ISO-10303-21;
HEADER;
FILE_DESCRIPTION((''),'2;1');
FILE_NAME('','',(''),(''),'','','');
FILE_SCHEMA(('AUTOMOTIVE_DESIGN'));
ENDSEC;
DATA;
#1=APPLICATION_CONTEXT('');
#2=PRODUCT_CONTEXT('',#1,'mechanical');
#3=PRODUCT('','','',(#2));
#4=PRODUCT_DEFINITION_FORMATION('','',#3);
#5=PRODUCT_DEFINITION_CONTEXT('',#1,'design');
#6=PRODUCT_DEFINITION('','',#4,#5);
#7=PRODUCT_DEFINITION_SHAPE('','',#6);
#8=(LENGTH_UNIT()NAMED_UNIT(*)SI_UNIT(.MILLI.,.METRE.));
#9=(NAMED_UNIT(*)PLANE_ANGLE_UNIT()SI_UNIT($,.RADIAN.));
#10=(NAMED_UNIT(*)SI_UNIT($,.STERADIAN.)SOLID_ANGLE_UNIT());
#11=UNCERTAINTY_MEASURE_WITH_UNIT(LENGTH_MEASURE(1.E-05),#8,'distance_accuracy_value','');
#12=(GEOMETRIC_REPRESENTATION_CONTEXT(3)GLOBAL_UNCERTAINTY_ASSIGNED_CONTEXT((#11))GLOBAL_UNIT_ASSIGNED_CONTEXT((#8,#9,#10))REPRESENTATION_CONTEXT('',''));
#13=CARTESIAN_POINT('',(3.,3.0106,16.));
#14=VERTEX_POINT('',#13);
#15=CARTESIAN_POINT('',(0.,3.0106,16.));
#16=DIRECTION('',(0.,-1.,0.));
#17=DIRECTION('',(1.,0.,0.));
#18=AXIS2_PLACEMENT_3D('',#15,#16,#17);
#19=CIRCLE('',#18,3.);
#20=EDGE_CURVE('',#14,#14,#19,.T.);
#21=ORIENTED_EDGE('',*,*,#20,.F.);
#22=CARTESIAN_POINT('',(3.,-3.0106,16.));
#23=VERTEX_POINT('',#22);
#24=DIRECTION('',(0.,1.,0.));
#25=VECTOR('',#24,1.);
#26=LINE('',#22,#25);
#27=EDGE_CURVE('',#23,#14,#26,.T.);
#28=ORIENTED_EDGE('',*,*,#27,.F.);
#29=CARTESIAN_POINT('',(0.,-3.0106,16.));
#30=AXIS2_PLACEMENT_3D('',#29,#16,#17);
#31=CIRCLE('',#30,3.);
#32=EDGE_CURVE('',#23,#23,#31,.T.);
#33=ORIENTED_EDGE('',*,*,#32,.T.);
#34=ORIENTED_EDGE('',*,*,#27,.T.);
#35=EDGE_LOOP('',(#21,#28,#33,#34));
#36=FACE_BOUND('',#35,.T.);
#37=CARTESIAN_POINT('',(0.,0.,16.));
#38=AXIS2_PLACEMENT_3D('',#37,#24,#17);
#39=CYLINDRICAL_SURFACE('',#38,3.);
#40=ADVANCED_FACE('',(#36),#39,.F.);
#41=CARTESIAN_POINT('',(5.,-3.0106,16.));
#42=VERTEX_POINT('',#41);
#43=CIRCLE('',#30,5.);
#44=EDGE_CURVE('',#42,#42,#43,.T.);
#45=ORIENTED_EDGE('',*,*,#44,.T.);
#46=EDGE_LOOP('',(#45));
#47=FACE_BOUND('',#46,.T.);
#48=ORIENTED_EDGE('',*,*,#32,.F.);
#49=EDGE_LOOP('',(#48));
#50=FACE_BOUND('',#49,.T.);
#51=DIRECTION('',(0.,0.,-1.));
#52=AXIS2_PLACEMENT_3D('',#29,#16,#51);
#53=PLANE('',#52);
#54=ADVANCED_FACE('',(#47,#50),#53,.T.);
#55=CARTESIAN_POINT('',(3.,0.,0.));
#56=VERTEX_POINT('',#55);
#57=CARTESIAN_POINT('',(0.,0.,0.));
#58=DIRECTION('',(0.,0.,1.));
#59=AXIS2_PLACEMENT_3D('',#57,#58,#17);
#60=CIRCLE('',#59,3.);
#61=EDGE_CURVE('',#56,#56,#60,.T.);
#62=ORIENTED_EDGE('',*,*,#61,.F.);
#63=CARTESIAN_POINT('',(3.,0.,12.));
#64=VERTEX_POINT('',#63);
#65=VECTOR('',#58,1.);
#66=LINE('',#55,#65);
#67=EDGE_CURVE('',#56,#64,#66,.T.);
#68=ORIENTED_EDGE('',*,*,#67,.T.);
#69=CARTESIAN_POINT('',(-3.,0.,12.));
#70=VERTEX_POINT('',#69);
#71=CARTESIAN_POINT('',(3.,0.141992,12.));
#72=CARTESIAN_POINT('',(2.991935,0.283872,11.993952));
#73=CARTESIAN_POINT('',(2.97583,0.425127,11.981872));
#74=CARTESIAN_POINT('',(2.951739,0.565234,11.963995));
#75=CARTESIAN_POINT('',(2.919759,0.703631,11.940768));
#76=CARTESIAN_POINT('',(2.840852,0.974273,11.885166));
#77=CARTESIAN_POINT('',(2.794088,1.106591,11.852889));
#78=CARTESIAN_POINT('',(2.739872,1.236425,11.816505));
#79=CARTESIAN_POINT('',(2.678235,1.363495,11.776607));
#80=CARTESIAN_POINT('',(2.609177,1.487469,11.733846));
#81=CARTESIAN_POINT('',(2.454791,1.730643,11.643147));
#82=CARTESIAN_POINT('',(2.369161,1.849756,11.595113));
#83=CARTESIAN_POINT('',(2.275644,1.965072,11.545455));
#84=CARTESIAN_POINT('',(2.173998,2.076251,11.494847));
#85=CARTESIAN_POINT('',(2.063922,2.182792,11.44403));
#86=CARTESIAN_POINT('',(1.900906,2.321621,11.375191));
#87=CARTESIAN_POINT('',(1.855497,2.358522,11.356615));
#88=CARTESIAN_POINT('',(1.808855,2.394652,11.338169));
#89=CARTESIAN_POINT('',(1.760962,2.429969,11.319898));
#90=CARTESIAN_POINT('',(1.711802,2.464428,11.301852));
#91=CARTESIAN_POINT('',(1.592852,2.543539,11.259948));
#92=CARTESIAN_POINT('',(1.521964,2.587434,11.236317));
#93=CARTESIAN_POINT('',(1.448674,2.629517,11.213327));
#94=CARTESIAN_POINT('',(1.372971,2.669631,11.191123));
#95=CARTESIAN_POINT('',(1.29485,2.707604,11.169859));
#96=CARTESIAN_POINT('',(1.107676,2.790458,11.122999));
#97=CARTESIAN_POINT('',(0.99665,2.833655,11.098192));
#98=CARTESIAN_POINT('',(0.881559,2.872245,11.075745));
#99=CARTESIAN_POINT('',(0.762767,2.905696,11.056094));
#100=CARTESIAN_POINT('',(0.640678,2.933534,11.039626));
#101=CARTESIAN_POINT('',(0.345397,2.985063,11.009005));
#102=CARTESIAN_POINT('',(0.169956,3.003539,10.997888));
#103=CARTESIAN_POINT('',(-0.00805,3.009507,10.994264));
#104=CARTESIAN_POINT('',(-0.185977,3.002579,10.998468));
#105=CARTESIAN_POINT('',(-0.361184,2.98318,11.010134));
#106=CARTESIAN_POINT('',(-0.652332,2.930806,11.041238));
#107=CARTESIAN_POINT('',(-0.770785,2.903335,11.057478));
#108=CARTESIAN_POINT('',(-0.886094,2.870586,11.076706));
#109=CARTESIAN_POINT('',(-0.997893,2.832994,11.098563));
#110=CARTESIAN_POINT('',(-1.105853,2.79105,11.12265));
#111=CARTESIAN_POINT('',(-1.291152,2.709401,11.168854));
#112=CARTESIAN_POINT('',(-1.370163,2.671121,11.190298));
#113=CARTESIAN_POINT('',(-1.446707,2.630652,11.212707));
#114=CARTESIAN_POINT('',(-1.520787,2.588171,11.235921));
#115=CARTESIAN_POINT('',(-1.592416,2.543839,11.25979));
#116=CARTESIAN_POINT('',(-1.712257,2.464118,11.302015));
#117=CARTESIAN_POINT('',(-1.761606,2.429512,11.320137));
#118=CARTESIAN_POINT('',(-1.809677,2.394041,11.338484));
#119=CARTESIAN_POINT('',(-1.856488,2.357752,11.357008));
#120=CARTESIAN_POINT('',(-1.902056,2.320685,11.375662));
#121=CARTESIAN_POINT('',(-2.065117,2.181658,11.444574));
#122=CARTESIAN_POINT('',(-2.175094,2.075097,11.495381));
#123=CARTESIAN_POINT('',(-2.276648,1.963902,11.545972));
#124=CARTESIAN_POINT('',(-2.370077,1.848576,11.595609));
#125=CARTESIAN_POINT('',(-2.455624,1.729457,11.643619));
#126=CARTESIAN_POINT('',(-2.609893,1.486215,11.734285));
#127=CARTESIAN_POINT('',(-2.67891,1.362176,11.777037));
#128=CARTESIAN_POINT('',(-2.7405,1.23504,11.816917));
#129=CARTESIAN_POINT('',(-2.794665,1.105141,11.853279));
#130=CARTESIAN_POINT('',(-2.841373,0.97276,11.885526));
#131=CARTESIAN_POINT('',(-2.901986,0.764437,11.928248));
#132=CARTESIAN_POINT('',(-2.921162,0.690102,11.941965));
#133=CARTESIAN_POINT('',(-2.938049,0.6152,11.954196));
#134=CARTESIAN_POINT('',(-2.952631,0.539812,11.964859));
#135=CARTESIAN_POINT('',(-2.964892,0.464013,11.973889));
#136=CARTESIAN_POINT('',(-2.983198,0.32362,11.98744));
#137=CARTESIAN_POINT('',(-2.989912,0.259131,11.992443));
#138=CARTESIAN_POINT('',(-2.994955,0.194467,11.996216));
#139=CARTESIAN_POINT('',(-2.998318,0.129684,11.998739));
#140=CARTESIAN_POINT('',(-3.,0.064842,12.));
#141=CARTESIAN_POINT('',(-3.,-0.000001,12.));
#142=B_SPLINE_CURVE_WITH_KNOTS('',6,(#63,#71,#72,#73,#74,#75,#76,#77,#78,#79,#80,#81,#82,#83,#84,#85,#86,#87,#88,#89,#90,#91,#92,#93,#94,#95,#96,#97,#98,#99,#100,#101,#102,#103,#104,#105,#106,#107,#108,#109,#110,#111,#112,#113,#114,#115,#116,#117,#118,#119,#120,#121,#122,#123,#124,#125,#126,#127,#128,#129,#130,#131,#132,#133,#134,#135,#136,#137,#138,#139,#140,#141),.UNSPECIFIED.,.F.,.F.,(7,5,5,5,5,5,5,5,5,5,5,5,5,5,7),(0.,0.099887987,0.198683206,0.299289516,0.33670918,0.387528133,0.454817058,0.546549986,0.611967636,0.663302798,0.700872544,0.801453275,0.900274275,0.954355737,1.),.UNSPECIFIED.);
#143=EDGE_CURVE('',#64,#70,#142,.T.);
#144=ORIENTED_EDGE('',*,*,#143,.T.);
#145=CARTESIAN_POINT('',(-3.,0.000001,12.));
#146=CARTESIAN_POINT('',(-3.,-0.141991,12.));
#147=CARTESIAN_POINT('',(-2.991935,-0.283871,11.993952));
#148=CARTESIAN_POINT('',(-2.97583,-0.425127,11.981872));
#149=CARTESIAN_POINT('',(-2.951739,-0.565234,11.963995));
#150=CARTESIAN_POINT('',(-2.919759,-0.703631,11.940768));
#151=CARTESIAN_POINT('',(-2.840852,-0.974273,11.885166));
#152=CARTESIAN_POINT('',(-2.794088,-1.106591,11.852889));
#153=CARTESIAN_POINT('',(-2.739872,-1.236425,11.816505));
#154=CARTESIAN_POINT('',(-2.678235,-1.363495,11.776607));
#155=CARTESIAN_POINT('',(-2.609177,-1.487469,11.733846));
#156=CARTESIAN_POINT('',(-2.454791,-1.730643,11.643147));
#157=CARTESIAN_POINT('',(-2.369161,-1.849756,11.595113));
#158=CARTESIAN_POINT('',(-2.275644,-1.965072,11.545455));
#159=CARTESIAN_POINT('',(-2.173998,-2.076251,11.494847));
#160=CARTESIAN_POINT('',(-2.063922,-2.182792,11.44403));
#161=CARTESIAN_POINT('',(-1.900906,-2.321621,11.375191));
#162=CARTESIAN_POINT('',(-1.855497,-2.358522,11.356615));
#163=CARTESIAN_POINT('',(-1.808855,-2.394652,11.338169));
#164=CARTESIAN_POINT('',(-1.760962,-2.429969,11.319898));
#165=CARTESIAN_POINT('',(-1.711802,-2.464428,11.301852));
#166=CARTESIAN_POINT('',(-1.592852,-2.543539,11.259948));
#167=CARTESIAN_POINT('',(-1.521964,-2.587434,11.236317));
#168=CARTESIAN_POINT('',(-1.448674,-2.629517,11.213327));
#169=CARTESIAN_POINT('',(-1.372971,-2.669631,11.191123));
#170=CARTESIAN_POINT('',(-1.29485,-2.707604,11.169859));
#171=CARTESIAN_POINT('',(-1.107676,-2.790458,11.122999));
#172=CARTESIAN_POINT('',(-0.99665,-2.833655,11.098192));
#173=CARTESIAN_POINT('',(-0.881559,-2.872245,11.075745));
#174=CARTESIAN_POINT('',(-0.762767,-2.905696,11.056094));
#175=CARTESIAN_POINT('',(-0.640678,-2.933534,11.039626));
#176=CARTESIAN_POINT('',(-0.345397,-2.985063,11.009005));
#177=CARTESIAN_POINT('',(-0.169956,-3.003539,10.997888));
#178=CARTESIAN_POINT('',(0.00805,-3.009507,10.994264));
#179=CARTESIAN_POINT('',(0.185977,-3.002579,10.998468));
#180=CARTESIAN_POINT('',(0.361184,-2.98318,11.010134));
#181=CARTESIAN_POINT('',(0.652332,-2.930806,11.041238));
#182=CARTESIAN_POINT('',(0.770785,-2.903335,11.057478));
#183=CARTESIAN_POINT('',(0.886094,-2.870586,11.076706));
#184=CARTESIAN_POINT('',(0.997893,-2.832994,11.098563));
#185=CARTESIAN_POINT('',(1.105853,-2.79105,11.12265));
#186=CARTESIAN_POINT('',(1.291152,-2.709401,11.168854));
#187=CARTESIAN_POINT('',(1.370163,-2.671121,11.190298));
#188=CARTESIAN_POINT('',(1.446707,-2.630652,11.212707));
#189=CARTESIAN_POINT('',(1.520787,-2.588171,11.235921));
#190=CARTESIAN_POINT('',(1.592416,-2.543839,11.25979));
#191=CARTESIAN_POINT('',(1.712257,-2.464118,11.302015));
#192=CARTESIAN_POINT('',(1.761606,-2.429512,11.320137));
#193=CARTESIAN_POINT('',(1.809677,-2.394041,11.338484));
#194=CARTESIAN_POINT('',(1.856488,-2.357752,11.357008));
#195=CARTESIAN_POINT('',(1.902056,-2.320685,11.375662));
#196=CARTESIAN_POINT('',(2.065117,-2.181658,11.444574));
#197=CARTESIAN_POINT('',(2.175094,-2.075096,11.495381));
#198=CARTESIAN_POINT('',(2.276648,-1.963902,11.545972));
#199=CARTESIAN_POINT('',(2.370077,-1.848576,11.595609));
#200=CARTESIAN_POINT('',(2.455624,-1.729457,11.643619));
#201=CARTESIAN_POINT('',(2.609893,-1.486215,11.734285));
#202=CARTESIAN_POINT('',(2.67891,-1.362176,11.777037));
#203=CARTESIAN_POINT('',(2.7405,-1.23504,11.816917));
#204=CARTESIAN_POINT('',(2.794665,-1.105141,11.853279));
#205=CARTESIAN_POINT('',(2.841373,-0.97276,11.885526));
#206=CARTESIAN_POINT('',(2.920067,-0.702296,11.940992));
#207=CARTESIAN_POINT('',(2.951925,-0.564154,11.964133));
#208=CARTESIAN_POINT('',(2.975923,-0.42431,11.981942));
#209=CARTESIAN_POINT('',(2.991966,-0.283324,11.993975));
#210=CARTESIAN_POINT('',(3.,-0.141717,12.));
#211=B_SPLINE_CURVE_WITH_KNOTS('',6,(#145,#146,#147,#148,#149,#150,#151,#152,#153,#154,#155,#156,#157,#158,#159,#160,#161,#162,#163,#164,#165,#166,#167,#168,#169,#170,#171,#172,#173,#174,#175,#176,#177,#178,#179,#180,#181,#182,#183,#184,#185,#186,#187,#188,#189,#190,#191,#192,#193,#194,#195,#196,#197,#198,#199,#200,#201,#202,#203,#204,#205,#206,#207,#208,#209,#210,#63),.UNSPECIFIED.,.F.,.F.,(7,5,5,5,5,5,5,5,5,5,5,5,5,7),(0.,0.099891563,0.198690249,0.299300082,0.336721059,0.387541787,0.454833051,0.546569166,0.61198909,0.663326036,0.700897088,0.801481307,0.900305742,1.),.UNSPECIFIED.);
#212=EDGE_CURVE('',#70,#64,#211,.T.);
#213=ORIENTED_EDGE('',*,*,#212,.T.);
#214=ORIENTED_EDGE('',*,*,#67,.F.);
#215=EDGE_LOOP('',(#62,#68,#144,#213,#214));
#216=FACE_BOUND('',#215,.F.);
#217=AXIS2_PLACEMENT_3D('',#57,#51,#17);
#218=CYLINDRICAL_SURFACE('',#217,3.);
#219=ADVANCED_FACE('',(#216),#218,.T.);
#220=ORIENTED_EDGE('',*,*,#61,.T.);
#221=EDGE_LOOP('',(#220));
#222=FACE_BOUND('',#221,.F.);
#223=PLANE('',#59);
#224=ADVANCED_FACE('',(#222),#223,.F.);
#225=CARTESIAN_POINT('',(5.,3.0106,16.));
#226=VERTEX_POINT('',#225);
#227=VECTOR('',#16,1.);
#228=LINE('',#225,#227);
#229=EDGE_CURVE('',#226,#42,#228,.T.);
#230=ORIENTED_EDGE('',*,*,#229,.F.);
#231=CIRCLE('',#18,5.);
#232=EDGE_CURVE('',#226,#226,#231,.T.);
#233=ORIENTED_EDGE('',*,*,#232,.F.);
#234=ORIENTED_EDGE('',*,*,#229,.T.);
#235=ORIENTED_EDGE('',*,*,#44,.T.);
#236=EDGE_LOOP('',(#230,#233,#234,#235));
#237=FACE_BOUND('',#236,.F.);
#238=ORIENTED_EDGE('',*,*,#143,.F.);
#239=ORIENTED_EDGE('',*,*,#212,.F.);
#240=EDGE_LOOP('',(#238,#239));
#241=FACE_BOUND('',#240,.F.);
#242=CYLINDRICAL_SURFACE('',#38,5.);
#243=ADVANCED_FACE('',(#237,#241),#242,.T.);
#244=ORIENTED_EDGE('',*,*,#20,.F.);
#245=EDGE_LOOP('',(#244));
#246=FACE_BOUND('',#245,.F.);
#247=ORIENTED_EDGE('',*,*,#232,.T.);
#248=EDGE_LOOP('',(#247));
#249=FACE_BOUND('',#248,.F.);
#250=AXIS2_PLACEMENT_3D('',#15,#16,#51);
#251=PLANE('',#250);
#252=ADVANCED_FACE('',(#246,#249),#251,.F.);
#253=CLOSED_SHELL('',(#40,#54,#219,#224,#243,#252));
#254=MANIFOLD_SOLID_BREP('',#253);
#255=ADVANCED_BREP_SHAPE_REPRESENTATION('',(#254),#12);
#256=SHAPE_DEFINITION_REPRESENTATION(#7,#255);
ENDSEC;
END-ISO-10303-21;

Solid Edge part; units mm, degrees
sketch "Sketch1" plane through (0, 0, 0) normal (0, 0, 1) x (1, 0, 0)
  circle A0 centre (0, 0) radius 3
extrude "Protrusion1" add sketch "Sketch1" along normal blind 12
sketch "Sketch2" plane through (0, 0, 0) normal (0, -1, 0) x (1, 0, 0)
  circle A0 centre (0, 16) radius 5
  circle A1 centre (0, 16) radius 3
  dimension "D1" = 4
extrude "ExtrudedProtrusion_2" add sketch "Sketch2" along normal mid plane 6.0212
properties material "Steel"
